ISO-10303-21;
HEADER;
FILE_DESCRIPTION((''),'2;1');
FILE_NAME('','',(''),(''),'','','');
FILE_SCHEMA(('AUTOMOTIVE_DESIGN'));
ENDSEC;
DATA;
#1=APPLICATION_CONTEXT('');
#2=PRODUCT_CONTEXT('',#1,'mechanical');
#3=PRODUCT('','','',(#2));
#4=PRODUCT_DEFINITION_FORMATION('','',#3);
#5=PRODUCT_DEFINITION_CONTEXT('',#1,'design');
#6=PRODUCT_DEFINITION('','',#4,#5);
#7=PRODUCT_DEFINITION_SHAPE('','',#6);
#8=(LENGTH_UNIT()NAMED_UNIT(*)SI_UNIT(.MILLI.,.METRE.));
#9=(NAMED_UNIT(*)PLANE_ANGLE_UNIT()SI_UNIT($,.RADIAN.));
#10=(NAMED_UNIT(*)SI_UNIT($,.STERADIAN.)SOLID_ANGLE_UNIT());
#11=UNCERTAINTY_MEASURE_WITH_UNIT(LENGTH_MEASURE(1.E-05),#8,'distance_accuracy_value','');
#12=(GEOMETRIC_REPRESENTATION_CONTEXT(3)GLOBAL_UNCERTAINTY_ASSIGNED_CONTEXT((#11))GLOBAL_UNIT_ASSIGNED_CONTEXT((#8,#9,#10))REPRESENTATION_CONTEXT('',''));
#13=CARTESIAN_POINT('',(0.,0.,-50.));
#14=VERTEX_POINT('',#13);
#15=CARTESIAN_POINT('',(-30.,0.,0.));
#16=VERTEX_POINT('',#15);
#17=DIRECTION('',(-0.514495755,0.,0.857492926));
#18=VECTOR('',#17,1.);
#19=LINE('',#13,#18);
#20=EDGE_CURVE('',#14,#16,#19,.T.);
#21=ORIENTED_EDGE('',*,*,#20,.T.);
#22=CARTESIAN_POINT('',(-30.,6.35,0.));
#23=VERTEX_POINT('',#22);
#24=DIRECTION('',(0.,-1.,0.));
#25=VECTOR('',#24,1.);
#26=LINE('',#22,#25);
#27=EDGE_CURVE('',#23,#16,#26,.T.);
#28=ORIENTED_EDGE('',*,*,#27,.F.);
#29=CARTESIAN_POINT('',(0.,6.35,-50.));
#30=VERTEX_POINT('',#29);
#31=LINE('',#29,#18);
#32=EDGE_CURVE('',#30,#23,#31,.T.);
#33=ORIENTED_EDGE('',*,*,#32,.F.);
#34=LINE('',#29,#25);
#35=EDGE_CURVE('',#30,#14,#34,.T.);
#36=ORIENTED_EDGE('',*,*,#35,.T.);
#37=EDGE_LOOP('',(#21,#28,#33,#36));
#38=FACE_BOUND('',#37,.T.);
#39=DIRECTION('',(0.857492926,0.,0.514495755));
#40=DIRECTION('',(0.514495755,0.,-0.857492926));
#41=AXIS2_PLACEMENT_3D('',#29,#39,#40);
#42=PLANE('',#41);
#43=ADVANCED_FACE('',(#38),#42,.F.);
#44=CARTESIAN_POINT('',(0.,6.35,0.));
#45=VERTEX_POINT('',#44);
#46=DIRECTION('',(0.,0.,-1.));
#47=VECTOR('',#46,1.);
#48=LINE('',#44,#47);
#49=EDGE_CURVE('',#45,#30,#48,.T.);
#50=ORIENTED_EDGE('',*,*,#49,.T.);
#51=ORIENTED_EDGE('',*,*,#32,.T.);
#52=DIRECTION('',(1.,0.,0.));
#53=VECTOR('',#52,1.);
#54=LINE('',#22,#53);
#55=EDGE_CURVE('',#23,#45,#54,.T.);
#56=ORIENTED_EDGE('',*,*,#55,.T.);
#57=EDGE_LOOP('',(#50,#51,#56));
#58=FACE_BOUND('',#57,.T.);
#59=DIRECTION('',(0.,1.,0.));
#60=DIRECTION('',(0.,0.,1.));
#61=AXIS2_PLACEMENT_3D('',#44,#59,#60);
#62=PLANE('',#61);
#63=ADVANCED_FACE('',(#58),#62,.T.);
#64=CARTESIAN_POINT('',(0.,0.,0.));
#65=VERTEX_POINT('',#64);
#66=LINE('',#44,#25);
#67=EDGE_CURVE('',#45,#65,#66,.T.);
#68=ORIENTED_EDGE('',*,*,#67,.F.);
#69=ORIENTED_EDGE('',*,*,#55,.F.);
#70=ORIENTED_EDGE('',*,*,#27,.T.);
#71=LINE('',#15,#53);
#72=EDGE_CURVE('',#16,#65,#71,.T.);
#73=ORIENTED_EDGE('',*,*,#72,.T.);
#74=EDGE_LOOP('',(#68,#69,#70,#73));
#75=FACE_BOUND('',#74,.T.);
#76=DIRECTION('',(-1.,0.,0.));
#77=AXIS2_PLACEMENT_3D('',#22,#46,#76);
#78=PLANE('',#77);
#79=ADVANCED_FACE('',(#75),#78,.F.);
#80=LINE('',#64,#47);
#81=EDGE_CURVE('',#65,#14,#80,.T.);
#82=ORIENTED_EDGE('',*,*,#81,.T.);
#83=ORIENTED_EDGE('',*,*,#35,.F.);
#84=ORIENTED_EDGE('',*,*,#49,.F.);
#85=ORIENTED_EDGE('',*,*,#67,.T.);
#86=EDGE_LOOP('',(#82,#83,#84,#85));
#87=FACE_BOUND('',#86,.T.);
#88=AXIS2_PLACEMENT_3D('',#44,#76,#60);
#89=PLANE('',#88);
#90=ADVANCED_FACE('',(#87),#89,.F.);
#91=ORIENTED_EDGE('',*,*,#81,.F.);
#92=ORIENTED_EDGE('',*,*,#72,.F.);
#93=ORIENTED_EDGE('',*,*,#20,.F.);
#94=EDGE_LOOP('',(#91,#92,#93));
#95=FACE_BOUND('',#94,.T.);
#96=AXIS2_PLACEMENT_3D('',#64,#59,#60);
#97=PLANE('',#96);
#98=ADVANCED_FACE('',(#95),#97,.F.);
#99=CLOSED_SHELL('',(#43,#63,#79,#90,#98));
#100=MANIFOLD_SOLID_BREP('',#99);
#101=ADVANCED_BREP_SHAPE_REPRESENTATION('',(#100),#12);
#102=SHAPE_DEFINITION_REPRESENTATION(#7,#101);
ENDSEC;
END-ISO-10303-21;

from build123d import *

# Parameters (mm, degrees)
BOSS_EXTRU_1_DEPTH = 6.35


with BuildPart() as part:
    # Esquisse1 → Boss.-Extru.1 (new body)
    with BuildSketch(Plane(origin=(0, 0, 0), x_dir=(1, 0, 0), z_dir=(0, 1, 0))):
        Polygon((-30, 0), (0, 0), (0, 50), align=None)
    extrude(amount=BOSS_EXTRU_1_DEPTH)


solid = part.part
